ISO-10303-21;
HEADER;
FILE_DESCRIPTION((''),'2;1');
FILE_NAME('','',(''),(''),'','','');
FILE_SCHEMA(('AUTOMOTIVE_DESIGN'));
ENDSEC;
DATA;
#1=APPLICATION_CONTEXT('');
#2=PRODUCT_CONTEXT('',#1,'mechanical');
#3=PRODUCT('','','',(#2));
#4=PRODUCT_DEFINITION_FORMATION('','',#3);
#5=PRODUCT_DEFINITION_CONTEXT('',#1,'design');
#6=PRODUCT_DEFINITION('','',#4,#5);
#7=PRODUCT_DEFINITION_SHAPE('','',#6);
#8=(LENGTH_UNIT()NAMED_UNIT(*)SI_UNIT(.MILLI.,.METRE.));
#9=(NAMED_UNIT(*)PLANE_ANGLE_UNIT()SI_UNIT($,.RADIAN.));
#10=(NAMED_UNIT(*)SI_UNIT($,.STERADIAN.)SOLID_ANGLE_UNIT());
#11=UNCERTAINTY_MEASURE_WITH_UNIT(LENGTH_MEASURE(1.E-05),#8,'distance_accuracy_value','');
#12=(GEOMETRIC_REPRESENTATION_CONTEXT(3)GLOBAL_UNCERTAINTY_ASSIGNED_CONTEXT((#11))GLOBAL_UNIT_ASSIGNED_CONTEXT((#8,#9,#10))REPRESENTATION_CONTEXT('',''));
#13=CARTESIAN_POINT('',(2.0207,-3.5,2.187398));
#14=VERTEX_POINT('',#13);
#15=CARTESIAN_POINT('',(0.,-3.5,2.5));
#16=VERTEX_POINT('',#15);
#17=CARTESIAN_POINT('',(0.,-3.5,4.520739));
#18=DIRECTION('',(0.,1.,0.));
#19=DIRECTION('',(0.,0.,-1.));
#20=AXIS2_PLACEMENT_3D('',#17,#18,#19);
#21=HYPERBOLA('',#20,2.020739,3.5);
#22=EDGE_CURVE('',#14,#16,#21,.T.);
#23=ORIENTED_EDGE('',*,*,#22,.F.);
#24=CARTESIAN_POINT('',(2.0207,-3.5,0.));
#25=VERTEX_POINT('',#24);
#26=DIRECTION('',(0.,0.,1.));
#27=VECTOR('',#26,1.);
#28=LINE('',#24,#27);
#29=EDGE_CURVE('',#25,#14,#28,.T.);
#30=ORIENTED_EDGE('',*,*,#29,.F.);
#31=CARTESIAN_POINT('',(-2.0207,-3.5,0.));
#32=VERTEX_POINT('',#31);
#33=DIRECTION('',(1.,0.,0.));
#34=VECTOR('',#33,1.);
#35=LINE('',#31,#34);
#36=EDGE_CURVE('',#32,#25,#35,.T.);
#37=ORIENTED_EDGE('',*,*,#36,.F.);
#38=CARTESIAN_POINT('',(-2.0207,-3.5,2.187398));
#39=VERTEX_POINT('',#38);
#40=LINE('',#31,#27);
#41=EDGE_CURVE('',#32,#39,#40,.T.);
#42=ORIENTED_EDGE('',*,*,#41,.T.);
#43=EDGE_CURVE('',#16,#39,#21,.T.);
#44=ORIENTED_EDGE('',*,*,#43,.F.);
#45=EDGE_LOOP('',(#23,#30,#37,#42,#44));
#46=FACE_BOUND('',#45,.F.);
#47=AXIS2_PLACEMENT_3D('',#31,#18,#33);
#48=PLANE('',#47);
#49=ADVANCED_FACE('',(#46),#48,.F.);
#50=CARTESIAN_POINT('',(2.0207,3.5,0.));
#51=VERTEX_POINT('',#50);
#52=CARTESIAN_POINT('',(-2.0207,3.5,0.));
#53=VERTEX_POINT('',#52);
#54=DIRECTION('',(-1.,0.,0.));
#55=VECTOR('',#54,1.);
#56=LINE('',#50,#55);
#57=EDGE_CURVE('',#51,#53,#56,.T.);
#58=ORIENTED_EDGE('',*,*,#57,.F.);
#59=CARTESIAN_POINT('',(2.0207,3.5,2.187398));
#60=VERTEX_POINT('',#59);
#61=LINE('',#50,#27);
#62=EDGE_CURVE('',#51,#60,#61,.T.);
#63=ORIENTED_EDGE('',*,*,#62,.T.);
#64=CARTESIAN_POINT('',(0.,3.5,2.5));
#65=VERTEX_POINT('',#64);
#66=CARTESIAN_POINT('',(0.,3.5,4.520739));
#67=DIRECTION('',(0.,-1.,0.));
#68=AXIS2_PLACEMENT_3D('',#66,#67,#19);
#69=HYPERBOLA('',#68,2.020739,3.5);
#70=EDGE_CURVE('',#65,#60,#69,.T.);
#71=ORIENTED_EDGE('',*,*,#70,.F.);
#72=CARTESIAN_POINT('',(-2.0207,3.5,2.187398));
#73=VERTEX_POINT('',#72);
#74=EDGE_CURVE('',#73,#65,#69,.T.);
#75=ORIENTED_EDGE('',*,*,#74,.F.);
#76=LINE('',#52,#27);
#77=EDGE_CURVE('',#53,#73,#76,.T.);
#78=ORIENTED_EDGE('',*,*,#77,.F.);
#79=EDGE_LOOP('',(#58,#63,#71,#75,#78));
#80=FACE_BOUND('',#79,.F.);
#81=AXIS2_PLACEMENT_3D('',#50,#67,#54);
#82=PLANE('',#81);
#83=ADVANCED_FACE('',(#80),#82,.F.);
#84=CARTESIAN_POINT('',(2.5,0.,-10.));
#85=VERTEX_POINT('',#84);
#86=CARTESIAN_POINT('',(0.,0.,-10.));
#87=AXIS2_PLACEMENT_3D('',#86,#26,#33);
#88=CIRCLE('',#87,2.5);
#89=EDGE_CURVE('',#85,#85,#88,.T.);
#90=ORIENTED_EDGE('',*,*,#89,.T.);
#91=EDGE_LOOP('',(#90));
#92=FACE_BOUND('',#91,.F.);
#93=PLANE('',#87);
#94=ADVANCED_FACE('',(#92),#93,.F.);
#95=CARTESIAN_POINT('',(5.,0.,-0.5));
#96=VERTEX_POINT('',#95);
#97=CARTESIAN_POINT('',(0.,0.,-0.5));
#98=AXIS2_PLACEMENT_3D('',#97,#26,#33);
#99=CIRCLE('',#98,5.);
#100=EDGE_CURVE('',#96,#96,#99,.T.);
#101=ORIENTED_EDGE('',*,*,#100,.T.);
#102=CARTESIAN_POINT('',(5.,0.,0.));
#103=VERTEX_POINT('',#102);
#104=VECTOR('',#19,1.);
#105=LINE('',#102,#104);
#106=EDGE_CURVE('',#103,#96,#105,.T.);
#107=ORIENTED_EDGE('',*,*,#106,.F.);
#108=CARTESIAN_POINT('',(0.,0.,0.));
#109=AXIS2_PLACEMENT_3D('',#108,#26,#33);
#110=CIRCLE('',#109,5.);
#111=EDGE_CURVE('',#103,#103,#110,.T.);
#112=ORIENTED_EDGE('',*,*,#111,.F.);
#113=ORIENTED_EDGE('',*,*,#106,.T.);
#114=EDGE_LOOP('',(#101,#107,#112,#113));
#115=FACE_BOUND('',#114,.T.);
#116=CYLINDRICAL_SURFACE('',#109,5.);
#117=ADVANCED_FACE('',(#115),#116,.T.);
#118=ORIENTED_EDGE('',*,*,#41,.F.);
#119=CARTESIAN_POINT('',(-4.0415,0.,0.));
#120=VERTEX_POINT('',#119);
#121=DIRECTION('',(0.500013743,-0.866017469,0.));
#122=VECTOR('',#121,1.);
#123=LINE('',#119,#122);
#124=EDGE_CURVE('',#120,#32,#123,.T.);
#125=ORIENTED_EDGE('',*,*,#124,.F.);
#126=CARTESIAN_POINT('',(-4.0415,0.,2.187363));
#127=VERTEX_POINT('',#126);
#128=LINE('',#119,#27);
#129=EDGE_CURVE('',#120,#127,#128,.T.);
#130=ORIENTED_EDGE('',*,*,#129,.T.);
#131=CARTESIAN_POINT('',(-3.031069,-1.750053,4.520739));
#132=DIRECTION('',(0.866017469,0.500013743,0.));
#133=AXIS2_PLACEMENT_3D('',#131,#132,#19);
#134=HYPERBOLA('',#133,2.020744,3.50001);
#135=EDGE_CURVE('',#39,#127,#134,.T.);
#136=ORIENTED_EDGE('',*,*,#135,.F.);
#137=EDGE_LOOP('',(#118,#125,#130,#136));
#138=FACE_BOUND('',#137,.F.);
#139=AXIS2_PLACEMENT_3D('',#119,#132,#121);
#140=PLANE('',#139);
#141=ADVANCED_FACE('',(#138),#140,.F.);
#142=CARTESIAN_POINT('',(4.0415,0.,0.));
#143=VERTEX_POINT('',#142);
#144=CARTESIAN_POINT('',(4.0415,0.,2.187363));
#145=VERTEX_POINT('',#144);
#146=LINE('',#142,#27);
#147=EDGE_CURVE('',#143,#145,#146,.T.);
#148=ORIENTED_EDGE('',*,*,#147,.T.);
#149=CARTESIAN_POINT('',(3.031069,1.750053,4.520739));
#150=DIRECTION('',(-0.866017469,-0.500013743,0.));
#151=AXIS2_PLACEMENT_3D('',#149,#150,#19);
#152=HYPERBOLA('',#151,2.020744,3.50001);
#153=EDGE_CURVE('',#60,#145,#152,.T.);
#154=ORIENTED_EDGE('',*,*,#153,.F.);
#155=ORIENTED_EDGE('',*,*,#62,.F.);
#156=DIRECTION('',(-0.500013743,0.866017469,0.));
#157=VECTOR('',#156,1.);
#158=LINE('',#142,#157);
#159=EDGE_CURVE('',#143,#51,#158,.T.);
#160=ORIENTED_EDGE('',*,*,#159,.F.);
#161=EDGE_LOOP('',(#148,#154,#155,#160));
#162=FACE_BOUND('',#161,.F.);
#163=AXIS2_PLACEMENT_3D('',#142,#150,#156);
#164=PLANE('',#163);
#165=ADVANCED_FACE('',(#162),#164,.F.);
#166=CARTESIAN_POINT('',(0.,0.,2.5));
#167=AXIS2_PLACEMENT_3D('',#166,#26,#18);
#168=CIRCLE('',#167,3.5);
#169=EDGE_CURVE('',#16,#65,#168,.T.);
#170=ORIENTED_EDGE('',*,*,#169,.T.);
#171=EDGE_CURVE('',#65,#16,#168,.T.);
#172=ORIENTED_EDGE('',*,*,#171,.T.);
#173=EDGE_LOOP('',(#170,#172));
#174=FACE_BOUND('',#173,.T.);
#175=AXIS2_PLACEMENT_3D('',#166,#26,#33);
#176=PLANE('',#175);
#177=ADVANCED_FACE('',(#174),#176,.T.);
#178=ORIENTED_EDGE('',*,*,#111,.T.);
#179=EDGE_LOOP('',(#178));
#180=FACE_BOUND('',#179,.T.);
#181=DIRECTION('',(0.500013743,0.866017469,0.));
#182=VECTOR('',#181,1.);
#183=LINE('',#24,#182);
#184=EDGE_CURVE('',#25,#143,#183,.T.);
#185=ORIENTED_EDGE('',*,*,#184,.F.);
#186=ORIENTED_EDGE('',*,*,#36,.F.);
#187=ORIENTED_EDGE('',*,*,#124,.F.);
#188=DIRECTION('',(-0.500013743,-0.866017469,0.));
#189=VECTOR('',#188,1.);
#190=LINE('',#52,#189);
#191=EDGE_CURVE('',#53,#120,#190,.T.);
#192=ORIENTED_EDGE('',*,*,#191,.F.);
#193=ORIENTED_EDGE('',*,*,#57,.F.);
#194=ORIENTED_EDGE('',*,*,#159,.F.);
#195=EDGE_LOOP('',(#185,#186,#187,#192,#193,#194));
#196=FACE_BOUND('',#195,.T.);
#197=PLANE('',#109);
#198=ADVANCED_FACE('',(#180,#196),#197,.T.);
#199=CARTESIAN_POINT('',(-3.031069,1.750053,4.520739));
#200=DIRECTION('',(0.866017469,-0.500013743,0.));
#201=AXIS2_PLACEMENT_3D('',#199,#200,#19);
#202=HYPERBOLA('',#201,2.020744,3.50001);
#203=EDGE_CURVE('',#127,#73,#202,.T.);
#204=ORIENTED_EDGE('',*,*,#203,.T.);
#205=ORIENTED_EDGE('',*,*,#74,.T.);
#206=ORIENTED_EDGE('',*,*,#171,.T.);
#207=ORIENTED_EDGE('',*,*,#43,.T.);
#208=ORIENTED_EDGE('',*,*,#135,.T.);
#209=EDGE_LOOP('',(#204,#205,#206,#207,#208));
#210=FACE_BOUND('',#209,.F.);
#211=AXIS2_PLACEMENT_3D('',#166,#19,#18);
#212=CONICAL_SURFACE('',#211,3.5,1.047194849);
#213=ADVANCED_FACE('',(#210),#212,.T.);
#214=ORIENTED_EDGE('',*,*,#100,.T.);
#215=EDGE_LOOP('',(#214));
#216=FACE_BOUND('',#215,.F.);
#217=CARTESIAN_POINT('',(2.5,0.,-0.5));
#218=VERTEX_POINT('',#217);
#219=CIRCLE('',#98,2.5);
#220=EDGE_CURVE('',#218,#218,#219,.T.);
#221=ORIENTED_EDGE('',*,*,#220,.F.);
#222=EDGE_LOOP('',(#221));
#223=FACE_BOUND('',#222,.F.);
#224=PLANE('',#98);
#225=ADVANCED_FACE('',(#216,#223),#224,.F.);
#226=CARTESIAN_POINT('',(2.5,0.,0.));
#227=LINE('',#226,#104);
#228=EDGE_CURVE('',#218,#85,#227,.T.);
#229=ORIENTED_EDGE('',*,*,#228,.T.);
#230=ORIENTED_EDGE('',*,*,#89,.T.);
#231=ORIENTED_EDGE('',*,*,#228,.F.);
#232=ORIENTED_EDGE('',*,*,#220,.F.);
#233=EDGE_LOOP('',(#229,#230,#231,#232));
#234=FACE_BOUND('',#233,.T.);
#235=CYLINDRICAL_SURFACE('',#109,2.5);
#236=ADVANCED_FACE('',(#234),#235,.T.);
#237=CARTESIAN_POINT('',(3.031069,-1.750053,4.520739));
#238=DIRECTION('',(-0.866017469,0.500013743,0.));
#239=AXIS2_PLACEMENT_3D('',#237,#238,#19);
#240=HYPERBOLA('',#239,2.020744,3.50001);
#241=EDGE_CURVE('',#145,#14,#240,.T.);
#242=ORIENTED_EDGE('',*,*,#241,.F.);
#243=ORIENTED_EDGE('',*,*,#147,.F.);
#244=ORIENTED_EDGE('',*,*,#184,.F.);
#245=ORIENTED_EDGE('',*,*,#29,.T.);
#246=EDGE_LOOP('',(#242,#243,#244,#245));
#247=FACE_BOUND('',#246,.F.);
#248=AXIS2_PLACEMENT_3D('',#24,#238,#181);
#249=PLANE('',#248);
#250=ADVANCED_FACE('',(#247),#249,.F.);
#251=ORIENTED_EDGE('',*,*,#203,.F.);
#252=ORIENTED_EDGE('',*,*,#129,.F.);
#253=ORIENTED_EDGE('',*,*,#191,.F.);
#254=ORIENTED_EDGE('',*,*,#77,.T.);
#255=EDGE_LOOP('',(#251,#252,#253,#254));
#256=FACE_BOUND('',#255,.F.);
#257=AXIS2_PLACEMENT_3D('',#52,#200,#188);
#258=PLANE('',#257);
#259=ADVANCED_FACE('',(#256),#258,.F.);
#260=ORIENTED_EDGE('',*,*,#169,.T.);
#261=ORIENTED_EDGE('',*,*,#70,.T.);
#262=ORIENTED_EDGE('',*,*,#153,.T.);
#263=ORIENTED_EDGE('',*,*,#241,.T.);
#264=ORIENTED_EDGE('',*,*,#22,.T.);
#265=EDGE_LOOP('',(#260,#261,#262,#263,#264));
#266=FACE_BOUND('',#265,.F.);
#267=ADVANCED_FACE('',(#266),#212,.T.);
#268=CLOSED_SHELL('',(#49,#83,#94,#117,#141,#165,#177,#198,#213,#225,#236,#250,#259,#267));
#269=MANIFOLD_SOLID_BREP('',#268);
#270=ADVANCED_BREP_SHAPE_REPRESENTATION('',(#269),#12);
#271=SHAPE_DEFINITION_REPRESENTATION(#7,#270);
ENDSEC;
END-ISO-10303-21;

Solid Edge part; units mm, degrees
sketch "Sketch1" plane through (0, 0, 0) normal (0, 0, 1) x (1, 0, 0)
  circle A0 centre (0, 0) radius 2.5
extrude "Protrusion1" add sketch "Sketch1" against normal blind 10
sketch "Sketch2" plane through (0, 0, 0) normal (0, 0, 1) x (1, 0, 0)
  line L0 (-2.0207, 3.5) -> (-4.0415, 0)
  line L1 (-4.0415, 0) -> (-2.0207, -3.5)
  line L2 (-2.0207, -3.5) -> (2.0207, -3.5)
  line L3 (2.0207, -3.5) -> (4.0415, 0)
  line L4 (4.0415, 0) -> (2.0207, 3.5)
  line L5 (2.0207, 3.5) -> (-2.0207, 3.5)
extrude "Protrusion_2" add sketch "Sketch2" along normal blind 2.5
sketch "Sketch3" plane through (0, 0, 0) normal (0, 0, 1) x (1, 0, 0)
  circle A0 centre (0, 0) radius 5
extrude "ExtrudedProtrusion_6" add sketch "Sketch3" against normal blind 0.5
sketch "Sketch4" plane through (0, 0, 0) normal (1, 0, 0) x (0, 1, 0)
  line L0 (7.8301, 2.5) -> (3.5, 2.5)
  line L1 (3.5, 2.5) -> (7.8301, 0)
  line L2 (7.8301, 0) -> (7.8301, 2.5)
revolve "RevolvedCutout1" cut sketch "Sketch4" angle 360 about axis through (0, 0, 0) along (0, 0, 1)
